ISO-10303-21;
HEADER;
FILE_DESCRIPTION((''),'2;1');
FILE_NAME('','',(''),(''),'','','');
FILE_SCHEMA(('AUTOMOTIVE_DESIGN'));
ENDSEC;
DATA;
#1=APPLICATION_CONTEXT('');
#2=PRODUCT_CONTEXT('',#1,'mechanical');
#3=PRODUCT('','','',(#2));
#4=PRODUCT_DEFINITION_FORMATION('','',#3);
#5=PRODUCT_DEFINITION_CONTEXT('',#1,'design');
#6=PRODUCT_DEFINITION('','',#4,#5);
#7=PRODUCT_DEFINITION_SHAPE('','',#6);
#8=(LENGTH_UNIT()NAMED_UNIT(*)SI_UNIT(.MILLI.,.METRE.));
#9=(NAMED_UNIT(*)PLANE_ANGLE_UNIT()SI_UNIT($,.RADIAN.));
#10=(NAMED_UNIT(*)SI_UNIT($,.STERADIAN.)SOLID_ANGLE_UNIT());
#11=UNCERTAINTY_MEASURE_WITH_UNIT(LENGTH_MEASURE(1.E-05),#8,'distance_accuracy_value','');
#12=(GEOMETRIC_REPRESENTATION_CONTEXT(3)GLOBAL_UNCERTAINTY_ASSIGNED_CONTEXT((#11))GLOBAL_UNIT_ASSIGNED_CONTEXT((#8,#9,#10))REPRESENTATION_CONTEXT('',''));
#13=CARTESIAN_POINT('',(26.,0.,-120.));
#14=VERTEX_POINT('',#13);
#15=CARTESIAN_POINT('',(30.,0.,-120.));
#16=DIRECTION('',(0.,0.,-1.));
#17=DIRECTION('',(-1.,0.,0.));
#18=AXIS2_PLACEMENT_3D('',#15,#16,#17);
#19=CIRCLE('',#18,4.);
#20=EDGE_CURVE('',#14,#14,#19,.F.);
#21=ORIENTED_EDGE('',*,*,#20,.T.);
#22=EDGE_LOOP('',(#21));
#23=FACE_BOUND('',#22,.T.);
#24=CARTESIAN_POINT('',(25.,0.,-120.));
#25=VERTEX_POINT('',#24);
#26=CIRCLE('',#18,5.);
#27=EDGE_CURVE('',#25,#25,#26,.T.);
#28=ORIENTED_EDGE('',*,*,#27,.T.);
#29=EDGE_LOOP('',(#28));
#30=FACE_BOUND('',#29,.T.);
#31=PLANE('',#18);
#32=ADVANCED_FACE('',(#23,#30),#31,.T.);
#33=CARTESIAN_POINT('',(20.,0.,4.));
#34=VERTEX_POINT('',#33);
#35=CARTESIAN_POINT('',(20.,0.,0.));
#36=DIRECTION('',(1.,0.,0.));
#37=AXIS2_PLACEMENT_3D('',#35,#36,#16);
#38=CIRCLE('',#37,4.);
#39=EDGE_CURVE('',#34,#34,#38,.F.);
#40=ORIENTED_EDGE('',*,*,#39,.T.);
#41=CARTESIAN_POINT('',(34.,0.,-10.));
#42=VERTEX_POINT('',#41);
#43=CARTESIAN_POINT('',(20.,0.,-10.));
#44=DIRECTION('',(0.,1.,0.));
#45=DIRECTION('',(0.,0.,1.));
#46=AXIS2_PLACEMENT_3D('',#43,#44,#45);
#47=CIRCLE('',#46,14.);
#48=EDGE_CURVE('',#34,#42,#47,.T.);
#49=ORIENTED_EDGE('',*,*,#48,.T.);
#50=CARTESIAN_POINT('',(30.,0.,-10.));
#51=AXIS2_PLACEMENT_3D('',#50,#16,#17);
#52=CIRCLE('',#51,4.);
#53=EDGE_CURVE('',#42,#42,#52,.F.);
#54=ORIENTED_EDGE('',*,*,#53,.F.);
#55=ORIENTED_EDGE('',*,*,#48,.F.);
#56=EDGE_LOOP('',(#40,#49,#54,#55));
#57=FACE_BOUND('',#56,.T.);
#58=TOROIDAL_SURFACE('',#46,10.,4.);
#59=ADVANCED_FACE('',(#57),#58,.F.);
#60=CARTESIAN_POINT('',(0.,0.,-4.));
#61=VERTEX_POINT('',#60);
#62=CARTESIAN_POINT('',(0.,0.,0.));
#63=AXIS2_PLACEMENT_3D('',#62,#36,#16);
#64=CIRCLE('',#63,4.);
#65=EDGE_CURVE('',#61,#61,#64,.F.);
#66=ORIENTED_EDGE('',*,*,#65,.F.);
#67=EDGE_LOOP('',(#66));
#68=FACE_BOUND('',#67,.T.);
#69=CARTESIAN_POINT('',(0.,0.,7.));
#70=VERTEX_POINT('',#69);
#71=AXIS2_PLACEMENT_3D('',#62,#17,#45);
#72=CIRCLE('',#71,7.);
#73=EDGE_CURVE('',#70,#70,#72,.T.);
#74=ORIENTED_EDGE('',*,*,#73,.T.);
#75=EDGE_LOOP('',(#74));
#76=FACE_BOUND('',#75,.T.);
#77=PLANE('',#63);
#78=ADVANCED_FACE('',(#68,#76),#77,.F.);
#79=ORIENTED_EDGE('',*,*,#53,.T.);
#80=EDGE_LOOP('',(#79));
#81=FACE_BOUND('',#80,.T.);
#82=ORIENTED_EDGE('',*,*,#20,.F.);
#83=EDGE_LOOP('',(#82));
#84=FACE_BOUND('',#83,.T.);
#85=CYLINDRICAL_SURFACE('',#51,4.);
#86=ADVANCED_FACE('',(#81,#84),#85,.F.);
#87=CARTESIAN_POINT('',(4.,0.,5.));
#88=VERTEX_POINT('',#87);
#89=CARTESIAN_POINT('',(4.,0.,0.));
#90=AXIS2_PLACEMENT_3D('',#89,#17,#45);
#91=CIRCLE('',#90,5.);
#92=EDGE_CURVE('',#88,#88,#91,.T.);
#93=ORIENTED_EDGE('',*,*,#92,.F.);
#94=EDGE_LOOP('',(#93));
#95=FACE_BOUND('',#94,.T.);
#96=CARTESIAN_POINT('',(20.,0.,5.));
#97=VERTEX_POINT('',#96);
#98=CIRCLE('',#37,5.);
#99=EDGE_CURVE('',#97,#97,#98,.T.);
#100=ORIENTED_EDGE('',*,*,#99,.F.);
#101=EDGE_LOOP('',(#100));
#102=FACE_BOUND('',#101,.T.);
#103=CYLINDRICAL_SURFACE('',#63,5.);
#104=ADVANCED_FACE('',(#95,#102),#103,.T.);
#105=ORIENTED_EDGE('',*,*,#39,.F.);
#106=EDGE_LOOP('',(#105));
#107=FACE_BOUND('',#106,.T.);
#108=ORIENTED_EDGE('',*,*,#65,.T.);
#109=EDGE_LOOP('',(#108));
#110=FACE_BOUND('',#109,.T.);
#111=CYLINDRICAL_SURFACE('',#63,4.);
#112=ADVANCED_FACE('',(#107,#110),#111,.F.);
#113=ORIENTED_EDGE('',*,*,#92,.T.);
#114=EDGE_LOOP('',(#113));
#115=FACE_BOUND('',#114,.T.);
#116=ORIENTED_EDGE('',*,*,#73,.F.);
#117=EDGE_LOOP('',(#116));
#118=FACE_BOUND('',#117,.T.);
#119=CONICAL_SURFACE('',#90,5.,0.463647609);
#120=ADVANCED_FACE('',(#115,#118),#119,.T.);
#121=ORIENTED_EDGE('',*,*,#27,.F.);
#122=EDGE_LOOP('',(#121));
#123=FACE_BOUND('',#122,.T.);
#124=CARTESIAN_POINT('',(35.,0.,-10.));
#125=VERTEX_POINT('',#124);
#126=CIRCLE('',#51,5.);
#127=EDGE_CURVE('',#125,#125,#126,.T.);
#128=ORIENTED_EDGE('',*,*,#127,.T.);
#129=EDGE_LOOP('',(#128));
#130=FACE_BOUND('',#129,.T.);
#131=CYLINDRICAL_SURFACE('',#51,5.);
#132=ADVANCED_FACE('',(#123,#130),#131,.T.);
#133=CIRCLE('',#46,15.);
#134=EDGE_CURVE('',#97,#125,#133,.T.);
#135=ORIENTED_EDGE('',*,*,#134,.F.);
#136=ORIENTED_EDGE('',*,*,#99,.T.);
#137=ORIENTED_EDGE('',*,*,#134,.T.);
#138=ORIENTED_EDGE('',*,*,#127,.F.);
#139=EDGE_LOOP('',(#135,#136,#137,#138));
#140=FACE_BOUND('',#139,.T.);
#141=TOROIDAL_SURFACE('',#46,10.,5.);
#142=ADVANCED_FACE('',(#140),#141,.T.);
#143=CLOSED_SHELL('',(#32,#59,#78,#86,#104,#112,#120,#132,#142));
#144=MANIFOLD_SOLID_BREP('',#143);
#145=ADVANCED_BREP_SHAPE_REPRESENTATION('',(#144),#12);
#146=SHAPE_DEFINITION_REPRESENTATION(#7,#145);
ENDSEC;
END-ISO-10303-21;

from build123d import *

# Parameters (mm, degrees)
SKETCH_2_R   = 5
SKETCH_2_R_2 = 4


with BuildPart() as part:
    # По траектории1: sweep along a path in Эскиз1
    with BuildLine(Plane(origin=(0, 0, 0), x_dir=(1, 0, 0), z_dir=(0, 1, 0))) as sweep_1_path:
        Line((0, 0), (20, 0))
        ThreePointArc((20, 0), (27.071067812, 2.928932188), (30, 10))
        Line((30, 10), (30, 120))
    # Эскиз2 → По траектории1 (sweep)
    with BuildSketch(Plane(origin=(0, 0, 0), x_dir=(0, 0, -1), z_dir=(1, 0, 0))):
        Circle(SKETCH_2_R)
        Circle(SKETCH_2_R_2, mode=Mode.SUBTRACT)
    sweep(path=sweep_1_path.line)

    # Эскиз3 → Повернуть1 (revolve)
    with BuildSketch(Plane.XY, mode=Mode.PRIVATE) as revolve_1_sk:
        Polygon((0, 7), (0, 4), (4, 4), (4, 5), align=None)
    revolve(revolve_1_sk.sketch.rotate(Axis((-3.453428096, 0, 0), (1, 0, 0)), 90), axis=Axis((-3.453428096, 0, 0), (1, 0, 0)))


solid = part.part
